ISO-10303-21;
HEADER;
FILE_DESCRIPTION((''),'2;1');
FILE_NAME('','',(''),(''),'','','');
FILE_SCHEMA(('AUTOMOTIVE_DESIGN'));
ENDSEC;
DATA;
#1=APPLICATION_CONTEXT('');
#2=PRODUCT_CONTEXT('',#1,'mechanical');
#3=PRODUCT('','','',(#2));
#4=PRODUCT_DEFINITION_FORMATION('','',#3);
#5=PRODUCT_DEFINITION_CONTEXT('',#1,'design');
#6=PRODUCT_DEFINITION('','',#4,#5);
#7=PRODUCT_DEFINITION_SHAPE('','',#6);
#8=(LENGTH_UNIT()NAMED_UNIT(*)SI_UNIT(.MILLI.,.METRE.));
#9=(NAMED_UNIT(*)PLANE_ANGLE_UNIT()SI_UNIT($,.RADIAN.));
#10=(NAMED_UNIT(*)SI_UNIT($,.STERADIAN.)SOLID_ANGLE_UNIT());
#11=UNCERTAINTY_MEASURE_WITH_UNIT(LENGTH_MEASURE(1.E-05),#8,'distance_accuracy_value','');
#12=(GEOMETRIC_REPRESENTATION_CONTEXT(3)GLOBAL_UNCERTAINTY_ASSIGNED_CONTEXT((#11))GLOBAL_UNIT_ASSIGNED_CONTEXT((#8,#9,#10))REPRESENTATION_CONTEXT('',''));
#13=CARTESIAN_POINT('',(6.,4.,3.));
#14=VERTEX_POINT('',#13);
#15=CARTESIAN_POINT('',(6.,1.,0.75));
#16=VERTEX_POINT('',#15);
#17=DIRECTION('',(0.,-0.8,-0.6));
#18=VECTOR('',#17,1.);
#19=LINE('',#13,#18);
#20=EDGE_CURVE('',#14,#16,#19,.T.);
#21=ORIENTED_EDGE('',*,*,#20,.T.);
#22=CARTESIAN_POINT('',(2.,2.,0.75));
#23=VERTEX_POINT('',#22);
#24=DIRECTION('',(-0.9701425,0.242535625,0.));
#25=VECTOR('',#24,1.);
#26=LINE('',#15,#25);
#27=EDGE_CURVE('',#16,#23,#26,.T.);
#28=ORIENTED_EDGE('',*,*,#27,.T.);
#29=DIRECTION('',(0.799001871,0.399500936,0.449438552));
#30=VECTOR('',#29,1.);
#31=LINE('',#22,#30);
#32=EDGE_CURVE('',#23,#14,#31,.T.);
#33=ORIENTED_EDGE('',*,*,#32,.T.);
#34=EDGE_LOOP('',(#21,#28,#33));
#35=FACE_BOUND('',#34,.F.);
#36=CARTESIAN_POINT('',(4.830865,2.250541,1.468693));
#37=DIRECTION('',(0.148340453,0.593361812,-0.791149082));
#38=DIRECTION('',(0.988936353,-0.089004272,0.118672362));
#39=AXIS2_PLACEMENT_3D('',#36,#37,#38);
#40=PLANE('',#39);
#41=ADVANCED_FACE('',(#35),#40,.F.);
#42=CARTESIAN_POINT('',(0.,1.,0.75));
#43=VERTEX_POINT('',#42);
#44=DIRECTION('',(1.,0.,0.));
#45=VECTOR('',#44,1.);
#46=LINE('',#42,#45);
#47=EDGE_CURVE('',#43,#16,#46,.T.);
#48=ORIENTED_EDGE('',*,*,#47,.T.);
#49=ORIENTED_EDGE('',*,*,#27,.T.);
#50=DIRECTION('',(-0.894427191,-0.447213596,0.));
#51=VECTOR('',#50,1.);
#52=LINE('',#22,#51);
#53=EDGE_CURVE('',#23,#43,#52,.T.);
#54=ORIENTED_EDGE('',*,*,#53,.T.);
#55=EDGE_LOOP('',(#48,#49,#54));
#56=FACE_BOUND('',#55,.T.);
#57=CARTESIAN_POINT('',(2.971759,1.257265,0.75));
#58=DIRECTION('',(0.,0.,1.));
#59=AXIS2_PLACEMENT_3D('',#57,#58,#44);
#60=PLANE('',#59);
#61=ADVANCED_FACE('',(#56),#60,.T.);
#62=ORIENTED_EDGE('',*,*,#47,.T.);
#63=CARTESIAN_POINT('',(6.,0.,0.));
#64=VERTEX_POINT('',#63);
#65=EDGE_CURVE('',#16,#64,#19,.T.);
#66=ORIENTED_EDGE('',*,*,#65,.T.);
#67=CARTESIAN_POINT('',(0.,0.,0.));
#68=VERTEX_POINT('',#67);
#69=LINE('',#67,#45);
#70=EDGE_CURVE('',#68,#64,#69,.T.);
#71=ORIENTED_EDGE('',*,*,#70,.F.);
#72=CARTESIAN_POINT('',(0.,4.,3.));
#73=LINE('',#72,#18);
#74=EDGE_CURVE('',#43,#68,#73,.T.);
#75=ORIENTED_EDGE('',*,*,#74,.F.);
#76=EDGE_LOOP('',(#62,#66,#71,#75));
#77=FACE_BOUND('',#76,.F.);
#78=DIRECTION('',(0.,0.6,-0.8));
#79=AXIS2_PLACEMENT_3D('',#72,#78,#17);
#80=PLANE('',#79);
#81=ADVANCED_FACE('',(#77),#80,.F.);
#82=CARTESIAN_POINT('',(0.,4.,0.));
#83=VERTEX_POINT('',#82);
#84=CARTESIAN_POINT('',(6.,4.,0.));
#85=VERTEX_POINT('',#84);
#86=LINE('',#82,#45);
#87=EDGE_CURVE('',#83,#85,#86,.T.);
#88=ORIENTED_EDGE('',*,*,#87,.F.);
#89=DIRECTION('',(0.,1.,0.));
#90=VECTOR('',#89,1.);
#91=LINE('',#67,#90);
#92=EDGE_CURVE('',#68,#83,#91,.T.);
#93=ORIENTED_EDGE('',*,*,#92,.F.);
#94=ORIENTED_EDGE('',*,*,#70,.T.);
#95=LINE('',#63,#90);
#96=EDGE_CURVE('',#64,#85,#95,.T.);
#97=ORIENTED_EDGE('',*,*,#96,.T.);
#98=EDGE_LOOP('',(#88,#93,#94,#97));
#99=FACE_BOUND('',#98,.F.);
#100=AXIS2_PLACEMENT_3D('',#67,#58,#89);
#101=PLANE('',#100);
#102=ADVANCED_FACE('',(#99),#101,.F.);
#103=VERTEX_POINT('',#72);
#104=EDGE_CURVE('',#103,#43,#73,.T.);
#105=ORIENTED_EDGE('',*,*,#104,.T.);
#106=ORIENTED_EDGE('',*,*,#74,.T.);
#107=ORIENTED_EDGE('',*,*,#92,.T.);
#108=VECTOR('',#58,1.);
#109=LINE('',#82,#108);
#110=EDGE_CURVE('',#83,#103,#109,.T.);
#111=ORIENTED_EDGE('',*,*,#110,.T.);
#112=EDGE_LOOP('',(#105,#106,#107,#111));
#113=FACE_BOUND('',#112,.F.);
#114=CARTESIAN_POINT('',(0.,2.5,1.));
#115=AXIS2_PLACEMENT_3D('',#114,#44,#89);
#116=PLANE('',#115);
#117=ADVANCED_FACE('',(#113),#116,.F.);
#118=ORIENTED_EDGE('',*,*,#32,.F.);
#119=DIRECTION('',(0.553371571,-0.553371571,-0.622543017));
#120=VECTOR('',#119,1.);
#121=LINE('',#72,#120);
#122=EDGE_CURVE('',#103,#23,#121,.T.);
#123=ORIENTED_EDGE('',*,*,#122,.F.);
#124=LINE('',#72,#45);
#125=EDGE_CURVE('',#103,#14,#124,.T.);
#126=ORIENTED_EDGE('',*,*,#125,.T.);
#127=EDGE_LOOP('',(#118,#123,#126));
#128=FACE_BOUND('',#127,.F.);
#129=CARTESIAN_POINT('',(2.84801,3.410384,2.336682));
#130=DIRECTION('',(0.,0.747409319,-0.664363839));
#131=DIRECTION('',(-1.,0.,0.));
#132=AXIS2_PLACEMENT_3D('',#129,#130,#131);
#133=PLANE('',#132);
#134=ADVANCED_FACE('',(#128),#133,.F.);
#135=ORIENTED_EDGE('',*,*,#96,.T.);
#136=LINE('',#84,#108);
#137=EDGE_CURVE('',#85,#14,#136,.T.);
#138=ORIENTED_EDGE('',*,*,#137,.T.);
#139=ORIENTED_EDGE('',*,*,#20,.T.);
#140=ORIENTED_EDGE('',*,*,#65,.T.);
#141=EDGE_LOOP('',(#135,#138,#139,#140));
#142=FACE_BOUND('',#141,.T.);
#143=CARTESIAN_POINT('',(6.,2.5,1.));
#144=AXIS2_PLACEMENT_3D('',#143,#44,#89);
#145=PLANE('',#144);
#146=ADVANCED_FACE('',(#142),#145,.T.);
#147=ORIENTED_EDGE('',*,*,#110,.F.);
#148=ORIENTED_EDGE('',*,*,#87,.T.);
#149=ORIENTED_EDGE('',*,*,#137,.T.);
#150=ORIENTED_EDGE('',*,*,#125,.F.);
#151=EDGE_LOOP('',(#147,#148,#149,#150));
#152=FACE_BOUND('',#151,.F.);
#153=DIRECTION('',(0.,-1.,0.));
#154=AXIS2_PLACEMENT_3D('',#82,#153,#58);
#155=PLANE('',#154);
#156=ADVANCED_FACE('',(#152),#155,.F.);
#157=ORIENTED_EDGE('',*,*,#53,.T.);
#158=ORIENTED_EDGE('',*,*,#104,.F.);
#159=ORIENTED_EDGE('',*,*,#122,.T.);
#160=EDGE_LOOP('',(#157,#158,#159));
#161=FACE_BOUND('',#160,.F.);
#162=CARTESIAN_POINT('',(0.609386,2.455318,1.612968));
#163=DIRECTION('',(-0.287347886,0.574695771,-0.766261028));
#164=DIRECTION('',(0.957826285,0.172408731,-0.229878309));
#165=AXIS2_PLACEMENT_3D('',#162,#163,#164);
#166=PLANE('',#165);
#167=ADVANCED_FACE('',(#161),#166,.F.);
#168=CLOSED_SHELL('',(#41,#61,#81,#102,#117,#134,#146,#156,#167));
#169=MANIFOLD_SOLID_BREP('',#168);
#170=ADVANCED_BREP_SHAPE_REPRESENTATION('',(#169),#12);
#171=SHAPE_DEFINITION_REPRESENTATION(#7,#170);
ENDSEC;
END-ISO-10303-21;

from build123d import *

# Parameters (mm, degrees)
F1_DEPTH  = 6
F4_DEPTH  = 25
F7_DEPTH  = 25
F10_DEPTH = 25
F13_DEPTH = 25


with BuildPart() as f1:
    # F0 (on Right) → F1 (new body)
    with BuildSketch(Plane.YZ):
        Polygon((4, 3), (0, 0), (4, 0), align=None)
    extrude(amount=F1_DEPTH)

    # F3 (on offset) → F4 (cut)
    with BuildSketch(Plane.XY.offset(0.75)):
        Polygon((2, 2), (0, 1), (6, 1), align=None)
    extrude(amount=F4_DEPTH, mode=Mode.SUBTRACT)

    # F6 (on 3pt) → F7 (cut)
    with BuildSketch(Plane(origin=(0.1320293399, 0.5281173594, -0.7041564792), x_dir=(0.9889363529, -0.0890042718, 0.1186723623), z_dir=(0.1483404529, 0.5933618117, -0.7911490823))):
        Polygon((5.9336181172, -1.25), (1.888868434, -2.05), (5.9336181172, -5), (6.7079407163, -1.000438584), align=None)
    extrude(amount=-F7_DEPTH, mode=Mode.SUBTRACT)

    # F9 (on 3pt) → F10 (cut)
    with BuildSketch(Plane(origin=(0, 0, 0), x_dir=(0.9578262852, 0.1724087313, -0.2298783085), z_dir=(-0.2873478856, 0.5746957711, -0.7662610282))):
        Polygon((0, -1.25), (0, -5), (2.0880613018, -2.05), align=None)
    extrude(amount=-F10_DEPTH, mode=Mode.SUBTRACT)

    # F12 (on 3pt) → F13 (cut)
    with BuildSketch(Plane(origin=(0, 0.7448275862, -0.6620689655), x_dir=(-1, 0, 0), z_dir=(0, 0.7474093187, -0.6643638388))):
        Polygon((-2, 1.8892846667), (0, 4.8996833114), (-6, 4.8996833114), align=None)
    extrude(amount=-F13_DEPTH, mode=Mode.SUBTRACT)


solid = f1.part
